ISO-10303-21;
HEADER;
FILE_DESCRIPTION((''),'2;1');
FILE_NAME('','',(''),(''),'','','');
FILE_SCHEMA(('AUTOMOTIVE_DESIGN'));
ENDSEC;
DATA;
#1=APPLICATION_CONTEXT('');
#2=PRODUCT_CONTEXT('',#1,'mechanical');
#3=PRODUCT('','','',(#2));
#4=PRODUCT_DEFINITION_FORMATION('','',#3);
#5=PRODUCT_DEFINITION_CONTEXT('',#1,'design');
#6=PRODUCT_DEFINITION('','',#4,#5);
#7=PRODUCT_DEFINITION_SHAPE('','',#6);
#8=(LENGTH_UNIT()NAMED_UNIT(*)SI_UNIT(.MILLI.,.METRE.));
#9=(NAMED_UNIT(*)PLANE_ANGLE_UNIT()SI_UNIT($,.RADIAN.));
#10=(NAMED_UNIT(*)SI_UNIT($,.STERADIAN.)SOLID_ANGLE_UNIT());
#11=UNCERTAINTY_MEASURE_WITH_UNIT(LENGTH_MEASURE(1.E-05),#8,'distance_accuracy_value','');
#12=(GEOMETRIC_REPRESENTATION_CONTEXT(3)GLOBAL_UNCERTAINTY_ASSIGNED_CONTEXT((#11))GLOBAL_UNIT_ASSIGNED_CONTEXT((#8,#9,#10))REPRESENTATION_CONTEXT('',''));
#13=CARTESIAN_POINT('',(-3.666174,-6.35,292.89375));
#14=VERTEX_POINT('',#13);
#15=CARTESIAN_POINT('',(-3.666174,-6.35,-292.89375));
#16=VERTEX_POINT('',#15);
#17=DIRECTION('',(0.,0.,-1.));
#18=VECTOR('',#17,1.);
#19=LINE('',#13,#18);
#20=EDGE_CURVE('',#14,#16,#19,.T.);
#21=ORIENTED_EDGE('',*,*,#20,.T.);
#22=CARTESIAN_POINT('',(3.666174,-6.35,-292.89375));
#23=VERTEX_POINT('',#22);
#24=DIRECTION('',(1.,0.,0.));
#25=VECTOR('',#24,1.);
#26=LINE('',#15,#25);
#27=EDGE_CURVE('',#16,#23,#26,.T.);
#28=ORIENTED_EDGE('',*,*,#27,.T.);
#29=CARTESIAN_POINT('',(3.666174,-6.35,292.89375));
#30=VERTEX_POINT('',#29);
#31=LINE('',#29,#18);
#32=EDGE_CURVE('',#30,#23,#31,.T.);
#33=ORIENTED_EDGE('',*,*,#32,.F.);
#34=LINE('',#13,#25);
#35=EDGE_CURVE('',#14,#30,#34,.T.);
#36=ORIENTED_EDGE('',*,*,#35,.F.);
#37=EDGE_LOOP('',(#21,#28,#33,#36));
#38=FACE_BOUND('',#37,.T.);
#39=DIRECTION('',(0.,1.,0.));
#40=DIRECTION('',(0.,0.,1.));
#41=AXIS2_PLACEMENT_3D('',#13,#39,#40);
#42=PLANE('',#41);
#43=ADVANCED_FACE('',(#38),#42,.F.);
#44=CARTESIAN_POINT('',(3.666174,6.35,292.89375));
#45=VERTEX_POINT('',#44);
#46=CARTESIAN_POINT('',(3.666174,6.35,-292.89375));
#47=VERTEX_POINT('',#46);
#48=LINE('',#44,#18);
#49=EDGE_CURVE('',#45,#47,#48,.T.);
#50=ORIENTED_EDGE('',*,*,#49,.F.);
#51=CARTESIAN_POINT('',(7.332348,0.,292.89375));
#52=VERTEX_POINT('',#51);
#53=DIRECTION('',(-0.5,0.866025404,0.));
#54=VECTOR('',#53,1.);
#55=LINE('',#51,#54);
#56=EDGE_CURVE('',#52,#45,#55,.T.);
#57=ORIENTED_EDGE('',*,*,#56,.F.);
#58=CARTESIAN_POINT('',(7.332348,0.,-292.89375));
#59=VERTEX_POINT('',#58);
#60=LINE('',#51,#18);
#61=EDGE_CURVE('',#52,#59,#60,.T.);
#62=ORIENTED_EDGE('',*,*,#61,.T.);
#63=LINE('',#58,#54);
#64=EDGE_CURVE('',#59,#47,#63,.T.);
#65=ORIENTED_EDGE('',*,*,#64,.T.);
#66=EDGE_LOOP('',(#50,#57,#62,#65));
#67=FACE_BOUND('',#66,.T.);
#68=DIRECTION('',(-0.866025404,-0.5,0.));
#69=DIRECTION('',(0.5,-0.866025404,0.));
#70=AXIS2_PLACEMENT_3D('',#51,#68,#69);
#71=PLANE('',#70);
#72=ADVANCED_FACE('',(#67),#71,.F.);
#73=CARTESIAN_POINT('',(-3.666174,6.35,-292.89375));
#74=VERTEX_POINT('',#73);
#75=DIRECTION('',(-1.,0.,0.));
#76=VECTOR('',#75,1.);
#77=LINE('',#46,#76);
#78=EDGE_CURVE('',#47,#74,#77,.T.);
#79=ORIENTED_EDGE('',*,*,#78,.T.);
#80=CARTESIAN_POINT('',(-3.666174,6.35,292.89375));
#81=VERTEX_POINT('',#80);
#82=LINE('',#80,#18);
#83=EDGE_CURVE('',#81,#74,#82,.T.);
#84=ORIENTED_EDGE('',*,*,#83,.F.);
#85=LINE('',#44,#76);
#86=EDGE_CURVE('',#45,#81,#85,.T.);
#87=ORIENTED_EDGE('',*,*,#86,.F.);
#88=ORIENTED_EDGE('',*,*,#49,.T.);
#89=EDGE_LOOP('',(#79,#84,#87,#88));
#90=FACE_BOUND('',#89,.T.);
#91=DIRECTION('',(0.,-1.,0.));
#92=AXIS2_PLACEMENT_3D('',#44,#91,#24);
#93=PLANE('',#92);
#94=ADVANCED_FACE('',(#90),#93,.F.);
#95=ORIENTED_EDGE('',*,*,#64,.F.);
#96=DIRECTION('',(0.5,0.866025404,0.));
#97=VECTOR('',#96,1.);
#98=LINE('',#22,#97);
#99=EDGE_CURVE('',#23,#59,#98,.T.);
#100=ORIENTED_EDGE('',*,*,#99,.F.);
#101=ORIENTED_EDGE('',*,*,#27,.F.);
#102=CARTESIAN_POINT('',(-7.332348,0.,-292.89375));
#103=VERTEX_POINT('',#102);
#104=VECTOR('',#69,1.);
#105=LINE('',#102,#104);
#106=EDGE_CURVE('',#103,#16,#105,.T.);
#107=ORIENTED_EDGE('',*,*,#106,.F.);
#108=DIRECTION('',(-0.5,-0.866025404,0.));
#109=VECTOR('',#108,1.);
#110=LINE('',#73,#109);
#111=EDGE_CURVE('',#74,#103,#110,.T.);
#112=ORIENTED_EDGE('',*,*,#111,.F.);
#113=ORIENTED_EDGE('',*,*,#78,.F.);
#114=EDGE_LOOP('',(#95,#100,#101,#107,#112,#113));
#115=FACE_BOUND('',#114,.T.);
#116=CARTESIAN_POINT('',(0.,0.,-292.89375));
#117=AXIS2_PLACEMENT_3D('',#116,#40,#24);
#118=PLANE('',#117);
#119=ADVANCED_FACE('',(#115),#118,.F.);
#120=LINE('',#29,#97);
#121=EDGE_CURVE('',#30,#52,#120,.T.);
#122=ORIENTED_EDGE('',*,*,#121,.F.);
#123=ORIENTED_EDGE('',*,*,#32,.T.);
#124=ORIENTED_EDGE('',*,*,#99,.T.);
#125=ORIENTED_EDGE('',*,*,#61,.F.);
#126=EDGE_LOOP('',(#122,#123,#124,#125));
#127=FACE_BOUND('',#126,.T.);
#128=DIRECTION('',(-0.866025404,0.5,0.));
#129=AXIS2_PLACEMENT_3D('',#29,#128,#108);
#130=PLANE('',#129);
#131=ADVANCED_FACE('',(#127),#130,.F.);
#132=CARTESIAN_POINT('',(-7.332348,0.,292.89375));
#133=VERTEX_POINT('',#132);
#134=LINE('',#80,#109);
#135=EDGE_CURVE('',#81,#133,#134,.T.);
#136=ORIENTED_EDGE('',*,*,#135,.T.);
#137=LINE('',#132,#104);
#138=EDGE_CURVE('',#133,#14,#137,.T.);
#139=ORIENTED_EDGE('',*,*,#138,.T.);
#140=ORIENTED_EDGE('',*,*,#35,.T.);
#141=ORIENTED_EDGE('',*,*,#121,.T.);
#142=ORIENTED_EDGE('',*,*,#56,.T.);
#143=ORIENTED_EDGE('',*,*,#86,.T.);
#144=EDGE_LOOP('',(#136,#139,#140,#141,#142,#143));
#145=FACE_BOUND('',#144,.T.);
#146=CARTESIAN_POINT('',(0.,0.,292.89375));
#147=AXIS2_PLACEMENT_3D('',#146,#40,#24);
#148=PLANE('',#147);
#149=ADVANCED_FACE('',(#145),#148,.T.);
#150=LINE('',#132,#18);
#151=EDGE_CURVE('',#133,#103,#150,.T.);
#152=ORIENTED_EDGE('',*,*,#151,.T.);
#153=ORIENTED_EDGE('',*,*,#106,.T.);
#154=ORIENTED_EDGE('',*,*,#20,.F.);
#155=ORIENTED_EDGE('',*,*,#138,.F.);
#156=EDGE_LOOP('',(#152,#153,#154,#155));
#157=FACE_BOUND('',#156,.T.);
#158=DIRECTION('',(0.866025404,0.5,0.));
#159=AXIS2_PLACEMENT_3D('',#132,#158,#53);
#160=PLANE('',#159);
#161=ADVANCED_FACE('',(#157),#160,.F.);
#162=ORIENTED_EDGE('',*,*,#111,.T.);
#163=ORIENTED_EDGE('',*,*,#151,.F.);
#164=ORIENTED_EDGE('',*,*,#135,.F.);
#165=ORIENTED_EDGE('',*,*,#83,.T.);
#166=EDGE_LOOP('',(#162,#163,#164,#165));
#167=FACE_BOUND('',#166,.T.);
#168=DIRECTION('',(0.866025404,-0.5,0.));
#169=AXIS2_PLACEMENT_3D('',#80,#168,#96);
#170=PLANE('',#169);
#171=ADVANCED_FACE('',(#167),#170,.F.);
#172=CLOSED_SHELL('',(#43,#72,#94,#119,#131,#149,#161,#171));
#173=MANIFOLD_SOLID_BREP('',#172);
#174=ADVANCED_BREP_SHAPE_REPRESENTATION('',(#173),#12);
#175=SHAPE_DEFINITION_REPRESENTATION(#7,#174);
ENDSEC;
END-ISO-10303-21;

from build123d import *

# Parameters (mm, degrees)
BOSS_EXTRUDE1_DEPTH = 292.89375


with BuildPart() as part:
    # Sketch1 → Boss-Extrude1 (new, symmetric)
    with BuildSketch(Plane.XY):
        Polygon((3.666174209, -6.35), (7.332348419, 0), (3.666174209, 6.35), (-3.666174209, 6.35), (-7.332348419, 0), (-3.666174209, -6.35), align=None)
    extrude(amount=BOSS_EXTRUDE1_DEPTH, both=True)


solid = part.part
